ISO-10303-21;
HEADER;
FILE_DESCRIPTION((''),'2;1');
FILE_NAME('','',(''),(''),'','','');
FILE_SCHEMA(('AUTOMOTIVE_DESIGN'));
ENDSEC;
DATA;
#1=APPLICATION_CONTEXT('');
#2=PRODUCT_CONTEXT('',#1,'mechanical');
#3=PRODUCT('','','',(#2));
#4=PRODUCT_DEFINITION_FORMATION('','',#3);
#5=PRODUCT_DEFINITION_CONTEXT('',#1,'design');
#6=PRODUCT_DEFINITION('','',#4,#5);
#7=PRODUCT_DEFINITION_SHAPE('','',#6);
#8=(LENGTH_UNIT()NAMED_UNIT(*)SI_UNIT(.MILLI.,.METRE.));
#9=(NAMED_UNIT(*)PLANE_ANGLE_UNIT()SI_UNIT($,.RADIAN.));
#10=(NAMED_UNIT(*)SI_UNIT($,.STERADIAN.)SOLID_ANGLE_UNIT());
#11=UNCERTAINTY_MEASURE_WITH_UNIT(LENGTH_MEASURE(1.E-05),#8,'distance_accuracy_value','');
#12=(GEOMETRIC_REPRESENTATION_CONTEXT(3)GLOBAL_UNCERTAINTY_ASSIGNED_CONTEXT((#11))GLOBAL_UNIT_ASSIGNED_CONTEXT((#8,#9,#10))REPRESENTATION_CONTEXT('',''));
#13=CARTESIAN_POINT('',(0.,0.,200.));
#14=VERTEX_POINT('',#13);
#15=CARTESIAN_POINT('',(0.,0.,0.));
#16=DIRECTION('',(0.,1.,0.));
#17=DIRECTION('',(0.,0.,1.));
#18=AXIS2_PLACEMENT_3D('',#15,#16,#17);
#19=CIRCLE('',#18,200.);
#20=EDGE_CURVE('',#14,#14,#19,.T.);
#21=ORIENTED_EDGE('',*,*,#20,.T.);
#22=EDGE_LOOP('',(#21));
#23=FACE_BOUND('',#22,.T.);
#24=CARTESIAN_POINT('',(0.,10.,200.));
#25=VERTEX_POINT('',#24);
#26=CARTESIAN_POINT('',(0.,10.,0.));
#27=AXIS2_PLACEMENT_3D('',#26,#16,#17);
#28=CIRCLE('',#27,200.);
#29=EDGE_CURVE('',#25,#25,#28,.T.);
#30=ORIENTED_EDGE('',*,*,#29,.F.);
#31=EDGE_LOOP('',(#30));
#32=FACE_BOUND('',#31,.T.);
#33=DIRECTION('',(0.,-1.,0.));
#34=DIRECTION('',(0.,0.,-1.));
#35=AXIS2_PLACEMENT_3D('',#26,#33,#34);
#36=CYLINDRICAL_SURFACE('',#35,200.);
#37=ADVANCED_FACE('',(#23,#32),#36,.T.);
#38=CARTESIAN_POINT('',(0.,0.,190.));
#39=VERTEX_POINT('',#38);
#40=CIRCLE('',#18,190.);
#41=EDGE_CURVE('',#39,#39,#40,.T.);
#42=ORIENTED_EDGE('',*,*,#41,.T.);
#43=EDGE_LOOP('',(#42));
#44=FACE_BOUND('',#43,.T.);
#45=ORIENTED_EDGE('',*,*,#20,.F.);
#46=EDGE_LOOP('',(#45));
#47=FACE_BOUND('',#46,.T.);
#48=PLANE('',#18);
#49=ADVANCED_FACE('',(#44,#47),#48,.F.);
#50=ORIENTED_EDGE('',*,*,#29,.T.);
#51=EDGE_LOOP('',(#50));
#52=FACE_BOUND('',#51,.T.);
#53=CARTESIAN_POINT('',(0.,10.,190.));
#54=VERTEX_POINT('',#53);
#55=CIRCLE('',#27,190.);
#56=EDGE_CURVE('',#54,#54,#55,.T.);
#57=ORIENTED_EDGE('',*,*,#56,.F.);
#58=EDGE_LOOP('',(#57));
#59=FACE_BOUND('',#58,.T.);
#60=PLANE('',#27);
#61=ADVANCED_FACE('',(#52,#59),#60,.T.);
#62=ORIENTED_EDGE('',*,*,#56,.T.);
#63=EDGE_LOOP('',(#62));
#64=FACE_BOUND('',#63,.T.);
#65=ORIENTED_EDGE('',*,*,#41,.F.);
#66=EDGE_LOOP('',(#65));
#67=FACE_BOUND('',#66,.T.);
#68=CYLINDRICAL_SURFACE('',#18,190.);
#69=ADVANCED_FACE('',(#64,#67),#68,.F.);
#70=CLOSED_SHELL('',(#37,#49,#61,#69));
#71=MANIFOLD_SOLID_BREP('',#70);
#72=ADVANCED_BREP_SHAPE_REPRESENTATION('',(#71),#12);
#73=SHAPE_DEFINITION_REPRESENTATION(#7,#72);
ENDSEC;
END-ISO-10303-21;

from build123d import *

# Parameters (mm, degrees)
SKETCH1_R           = 200
BOSS_EXTRUDE1_DEPTH = 10
SKETCH2_R           = 190
CUT_EXTRUDE1_DEPTH  = 284.019433962


with BuildPart() as part:
    # Sketch1 → Boss-Extrude1 (new body)
    with BuildSketch(Plane(origin=(0, 0, 0), x_dir=(1, 0, 0), z_dir=(0, 1, 0))):
        with Locations(Location((0, 0, 0), (0, 0, 270))):
            Circle(SKETCH1_R)
    extrude(amount=BOSS_EXTRUDE1_DEPTH)

    # Sketch2 → Cut-Extrude1 (cut, through all)
    with BuildSketch(Plane(origin=(0, 10, 0), x_dir=(1, 0, 0), z_dir=(0, 1, 0))):
        with Locations(Location((0, 0, 0), (0, 0, 270))):
            Circle(SKETCH2_R)
    extrude(amount=-CUT_EXTRUDE1_DEPTH, mode=Mode.SUBTRACT)


solid = part.part
